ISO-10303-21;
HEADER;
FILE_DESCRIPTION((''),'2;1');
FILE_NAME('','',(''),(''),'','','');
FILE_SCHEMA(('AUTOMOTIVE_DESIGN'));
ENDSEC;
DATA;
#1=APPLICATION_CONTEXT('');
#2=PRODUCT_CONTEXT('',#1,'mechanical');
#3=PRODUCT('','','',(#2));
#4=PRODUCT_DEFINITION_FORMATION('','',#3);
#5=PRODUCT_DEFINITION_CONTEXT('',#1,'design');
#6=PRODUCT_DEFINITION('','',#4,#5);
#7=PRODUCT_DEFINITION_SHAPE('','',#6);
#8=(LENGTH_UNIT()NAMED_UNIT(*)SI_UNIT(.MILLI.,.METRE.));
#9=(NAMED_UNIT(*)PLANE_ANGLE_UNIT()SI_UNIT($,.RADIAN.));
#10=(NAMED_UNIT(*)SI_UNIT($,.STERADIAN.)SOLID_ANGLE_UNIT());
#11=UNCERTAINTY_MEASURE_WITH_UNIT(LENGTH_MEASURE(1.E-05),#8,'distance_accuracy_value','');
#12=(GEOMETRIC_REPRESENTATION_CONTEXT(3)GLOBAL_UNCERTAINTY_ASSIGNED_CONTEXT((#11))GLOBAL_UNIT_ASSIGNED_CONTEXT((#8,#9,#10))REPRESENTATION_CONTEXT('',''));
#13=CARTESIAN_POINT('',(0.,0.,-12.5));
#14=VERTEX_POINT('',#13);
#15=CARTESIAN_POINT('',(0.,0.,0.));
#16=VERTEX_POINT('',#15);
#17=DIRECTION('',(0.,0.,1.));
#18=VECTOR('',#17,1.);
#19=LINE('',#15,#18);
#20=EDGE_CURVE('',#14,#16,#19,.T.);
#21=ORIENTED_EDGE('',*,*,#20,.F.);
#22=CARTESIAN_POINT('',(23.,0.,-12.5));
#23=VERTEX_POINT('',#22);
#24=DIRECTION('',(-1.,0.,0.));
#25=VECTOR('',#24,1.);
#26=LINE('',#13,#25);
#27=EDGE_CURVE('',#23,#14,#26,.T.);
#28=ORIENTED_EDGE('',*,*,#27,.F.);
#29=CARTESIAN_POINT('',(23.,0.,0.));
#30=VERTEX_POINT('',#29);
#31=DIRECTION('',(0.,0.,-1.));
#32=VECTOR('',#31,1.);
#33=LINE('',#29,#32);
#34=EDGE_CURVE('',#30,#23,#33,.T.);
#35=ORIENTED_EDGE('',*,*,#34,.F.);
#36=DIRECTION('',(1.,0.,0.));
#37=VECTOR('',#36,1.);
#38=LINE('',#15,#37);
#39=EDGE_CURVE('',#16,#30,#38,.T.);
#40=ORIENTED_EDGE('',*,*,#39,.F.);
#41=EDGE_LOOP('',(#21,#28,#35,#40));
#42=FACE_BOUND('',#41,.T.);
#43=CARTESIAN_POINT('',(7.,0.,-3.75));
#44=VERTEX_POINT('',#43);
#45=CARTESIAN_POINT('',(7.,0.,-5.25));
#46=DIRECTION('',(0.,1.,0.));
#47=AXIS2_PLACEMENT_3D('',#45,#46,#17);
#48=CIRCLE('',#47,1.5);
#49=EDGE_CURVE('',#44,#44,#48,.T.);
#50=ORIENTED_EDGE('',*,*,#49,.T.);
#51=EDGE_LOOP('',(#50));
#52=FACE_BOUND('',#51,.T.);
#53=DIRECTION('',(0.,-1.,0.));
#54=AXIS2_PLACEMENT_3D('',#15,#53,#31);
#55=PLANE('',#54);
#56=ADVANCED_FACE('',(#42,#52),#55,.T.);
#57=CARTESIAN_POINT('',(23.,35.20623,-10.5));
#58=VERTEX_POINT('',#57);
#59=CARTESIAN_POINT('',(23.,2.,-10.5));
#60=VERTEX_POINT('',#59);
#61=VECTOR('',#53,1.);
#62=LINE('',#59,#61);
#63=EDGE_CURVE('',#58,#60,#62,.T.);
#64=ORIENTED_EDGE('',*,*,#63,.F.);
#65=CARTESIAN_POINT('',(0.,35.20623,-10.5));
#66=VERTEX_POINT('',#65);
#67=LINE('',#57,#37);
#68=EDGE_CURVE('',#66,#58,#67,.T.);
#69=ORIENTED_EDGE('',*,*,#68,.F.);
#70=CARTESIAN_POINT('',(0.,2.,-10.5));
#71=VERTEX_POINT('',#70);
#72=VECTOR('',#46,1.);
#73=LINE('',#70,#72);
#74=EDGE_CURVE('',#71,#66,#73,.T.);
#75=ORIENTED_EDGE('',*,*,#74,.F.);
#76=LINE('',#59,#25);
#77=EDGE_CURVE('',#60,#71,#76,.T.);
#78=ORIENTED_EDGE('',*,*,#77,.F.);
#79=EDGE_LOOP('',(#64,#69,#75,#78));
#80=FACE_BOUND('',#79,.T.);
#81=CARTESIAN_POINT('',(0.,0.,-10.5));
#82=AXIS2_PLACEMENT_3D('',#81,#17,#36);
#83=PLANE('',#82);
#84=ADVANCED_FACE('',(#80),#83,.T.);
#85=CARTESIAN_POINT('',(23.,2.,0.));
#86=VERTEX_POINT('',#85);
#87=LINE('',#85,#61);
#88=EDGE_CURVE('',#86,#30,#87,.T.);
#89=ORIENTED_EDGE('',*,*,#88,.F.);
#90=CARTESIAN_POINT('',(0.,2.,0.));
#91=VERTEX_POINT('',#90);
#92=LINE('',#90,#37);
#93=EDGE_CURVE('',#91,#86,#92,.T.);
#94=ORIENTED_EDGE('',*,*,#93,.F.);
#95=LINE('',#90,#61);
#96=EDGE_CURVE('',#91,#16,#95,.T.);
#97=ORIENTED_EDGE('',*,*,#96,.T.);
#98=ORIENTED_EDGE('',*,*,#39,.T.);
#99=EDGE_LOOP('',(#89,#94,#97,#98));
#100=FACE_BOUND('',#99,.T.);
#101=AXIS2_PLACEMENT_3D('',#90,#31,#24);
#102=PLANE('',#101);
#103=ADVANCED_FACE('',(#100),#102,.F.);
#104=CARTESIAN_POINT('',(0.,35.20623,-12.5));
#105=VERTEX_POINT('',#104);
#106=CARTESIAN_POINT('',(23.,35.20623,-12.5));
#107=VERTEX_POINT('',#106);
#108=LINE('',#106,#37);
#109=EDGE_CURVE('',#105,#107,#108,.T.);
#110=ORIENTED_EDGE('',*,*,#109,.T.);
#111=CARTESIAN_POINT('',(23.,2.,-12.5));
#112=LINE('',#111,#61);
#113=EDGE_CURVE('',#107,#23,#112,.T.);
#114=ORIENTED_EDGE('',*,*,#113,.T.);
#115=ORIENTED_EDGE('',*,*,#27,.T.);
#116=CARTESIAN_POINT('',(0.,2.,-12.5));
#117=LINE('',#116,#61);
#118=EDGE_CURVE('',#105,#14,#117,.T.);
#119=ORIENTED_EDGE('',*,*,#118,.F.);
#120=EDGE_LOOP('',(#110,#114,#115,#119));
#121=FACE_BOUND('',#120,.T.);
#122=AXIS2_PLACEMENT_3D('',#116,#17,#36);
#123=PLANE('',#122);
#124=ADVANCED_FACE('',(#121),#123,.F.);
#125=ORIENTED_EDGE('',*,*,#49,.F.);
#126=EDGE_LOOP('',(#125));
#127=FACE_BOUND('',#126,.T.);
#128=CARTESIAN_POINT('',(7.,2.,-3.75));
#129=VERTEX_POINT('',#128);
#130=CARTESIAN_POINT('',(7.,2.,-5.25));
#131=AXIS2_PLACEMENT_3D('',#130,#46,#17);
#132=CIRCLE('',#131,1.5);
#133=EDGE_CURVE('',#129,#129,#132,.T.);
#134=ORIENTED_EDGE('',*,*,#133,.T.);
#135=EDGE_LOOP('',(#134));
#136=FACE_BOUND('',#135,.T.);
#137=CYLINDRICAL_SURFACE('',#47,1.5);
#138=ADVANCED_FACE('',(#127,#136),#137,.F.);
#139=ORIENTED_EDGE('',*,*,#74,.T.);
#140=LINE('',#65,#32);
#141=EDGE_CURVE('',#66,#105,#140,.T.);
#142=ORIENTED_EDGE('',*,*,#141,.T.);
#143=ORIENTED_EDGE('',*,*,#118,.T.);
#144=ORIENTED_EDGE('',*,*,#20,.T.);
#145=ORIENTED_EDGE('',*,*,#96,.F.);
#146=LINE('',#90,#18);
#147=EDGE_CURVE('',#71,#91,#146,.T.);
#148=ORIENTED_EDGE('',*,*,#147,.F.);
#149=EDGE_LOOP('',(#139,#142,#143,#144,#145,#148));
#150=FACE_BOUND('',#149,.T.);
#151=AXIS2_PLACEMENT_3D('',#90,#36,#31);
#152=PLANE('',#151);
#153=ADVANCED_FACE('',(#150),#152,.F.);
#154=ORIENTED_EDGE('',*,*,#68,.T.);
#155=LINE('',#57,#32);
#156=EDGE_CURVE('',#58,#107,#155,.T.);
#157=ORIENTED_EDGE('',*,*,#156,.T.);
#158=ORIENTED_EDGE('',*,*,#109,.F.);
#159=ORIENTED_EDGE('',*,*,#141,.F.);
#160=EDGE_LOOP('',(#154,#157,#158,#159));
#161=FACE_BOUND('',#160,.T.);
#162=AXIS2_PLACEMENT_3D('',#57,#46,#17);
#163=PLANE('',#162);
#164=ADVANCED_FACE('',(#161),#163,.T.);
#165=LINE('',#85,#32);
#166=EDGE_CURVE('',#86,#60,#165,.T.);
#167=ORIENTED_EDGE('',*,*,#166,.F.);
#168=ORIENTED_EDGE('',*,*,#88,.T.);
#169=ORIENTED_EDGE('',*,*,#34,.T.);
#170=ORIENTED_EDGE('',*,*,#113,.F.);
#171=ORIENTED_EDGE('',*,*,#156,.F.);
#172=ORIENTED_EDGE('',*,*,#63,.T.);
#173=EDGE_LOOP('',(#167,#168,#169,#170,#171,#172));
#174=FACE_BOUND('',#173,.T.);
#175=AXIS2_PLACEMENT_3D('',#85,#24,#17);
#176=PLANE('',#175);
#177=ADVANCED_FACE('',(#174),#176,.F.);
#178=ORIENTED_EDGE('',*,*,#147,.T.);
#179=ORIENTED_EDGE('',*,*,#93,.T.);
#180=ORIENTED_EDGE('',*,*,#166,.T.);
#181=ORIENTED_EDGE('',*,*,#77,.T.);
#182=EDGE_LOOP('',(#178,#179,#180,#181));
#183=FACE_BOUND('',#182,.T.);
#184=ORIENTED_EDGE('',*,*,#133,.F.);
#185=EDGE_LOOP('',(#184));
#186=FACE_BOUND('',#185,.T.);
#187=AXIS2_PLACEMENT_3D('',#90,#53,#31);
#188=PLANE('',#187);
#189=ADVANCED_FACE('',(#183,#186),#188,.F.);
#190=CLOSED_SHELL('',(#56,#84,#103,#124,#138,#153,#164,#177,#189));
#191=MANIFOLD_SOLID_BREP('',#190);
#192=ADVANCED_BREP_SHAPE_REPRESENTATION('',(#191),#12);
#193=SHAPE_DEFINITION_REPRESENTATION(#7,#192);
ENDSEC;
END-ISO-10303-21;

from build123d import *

# Parameters (mm, degrees)
SKETCH1_W           = 23
SKETCH1_H           = 12.5
BOSS_EXTRUDE1_DEPTH = 2
SKETCH2_W           = 23
SKETCH2_H           = 33.206230298
BOSS_EXTRUDE2_DEPTH = 2
SKETCH3_R           = 1.5
CUT_EXTRUDE1_DEPTH  = 2


with BuildPart() as part:
    # Sketch1 → Boss-Extrude1 (new body)
    with BuildSketch(Plane(origin=(0, 0, 0), x_dir=(1, 0, 0), z_dir=(0, 1, 0))):
        with Locations((11.5, 6.25)):
            Rectangle(SKETCH1_W, SKETCH1_H)
    extrude(amount=BOSS_EXTRUDE1_DEPTH)

    # Sketch2 → Boss-Extrude2 (add)
    with BuildSketch(Plane(origin=(0, 0, -12.5), x_dir=(-1, 0, 0), z_dir=(0, 0, -1))):
        with Locations((-11.5, 18.603115149)):
            Rectangle(SKETCH2_W, SKETCH2_H)
    extrude(amount=-BOSS_EXTRUDE2_DEPTH)

    # Sketch3 → Cut-Extrude1 (cut)
    with BuildSketch(Plane(origin=(0, 2, 0), x_dir=(1, 0, 0), z_dir=(0, 1, 0))):
        with Locations(Location((7, 5.25, 0), (0, 0, 270))):
            Circle(SKETCH3_R)
    extrude(amount=-CUT_EXTRUDE1_DEPTH, mode=Mode.SUBTRACT)


solid = part.part
